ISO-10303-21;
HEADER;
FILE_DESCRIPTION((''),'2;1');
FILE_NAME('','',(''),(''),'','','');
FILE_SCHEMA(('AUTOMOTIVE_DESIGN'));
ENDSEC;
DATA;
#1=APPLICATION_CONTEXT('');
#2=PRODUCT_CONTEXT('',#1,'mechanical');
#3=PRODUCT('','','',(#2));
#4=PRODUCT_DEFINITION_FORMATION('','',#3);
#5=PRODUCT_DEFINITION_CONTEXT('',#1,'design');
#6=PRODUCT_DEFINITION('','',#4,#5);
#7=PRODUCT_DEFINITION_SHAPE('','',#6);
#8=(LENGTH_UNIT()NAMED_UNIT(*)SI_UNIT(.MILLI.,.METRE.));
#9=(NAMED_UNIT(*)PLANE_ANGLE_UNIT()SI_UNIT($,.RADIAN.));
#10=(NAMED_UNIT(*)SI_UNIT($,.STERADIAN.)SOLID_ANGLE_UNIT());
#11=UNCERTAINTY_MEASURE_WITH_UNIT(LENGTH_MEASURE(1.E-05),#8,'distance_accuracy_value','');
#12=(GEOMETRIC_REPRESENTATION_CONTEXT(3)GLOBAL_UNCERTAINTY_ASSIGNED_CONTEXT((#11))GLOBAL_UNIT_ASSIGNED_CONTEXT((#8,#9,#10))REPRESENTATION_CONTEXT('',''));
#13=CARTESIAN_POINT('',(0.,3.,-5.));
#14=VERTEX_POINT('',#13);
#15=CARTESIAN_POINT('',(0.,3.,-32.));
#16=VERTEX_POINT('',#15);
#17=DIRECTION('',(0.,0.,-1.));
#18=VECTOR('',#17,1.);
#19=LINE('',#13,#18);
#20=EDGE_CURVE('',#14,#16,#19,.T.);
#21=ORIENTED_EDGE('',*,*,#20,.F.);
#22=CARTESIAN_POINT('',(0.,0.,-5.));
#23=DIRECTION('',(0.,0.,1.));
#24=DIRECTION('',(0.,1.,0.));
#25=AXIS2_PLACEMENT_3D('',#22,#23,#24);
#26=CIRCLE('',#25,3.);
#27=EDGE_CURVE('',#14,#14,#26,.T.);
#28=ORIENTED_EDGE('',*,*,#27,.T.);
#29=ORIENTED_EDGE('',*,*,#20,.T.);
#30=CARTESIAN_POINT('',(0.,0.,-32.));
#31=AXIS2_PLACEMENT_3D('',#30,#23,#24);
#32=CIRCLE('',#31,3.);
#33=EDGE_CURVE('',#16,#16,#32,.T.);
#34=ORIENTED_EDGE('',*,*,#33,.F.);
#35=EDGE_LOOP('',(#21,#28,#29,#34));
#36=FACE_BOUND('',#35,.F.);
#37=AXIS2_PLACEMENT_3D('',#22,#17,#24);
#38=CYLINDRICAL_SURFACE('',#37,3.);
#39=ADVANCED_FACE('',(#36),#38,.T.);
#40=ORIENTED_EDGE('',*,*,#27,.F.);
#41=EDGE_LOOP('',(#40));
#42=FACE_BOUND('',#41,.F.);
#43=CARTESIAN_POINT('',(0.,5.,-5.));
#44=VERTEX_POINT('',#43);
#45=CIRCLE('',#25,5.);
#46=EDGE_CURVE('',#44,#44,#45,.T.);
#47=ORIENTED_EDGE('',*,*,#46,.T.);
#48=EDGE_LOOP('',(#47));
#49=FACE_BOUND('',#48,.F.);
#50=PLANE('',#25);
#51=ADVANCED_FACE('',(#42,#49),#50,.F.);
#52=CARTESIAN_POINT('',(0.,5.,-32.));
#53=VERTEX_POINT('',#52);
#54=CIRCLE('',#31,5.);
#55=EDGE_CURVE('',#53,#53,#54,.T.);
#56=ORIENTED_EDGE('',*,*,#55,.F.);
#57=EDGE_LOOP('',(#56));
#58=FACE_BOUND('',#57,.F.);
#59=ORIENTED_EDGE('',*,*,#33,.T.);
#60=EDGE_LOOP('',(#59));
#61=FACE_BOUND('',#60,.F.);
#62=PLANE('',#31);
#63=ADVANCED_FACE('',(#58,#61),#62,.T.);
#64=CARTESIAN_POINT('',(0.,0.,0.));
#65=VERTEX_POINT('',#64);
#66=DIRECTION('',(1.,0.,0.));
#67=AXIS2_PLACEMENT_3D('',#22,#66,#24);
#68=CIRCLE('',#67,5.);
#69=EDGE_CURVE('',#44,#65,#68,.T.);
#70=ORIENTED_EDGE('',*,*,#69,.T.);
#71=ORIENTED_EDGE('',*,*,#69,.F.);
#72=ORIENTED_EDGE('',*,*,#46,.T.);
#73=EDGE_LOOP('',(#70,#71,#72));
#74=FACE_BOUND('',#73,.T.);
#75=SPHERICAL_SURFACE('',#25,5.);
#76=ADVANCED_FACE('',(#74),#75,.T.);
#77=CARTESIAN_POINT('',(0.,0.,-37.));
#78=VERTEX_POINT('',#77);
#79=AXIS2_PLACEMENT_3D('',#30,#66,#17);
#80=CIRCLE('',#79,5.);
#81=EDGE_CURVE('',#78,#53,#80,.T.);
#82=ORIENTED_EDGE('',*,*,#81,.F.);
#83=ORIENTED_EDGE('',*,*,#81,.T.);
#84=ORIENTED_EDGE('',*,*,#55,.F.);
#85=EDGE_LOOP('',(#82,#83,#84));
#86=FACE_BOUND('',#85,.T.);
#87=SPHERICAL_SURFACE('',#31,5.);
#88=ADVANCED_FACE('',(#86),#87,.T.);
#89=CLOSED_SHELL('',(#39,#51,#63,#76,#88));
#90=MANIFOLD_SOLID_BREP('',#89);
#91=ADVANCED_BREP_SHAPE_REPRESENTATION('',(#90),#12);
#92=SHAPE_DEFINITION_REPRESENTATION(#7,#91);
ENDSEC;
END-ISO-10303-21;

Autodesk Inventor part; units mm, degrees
ref_plane "YZ Plane" through (0, 0, 0) normal (1, 0, 0) x (0, 1, 0)
ref_plane "XZ Plane" through (0, 0, 0) normal (0, 1, 0) x (-1, 0, 0)
ref_plane "XY Plane" through (0, 0, 0) normal (0, 0, 1) x (1, 0, 0)
sketch "Sketch1" plane through (0, 0, 0) normal (1, 0, 0) x (0, 1, 0)
  line L0 (0, 0) -> (0, 0)
  line L1 (0, 0) -> (0, 0) construction
  line L2 (5, -5) -> (5, -5)
  line L3 (5, -5) -> (3, -5)
  line L4 (3, -5) -> (3, -32)
  line L5 (3, -32) -> (5, -32)
  line L6 (5, -32) -> (5, -32)
  line L7 (0, -37) -> (0, -37)
  line L8 (0, -37) -> (0, 0)
  arc A0 (5, -5) -> (0, 0) centre (0, -5) ccw
  arc A1 (0, -37) -> (5, -32) centre (0, -32) ccw
  point P0 (5, 0)
  point P1 (5, -37)
  point P2 (0, -37)
  point P3 (5, -32)
  dimension "d4" = 5
  dimension "d5" = 0
  dimension "d6" = 5
  dimension "d7" = 2
  dimension "d8" = 27
  dimension "d9" = 90
  dimension "d10" = 2
  dimension "d11" = 5
  dimension "d12" = 5
  dimension "d13" = 5
revolve "Revolution1" add sketch "Sketch1" angle 360 about axis through (0, 0, -37) along (0, 0, 1)
properties part number "atividade_14A_pino27"
